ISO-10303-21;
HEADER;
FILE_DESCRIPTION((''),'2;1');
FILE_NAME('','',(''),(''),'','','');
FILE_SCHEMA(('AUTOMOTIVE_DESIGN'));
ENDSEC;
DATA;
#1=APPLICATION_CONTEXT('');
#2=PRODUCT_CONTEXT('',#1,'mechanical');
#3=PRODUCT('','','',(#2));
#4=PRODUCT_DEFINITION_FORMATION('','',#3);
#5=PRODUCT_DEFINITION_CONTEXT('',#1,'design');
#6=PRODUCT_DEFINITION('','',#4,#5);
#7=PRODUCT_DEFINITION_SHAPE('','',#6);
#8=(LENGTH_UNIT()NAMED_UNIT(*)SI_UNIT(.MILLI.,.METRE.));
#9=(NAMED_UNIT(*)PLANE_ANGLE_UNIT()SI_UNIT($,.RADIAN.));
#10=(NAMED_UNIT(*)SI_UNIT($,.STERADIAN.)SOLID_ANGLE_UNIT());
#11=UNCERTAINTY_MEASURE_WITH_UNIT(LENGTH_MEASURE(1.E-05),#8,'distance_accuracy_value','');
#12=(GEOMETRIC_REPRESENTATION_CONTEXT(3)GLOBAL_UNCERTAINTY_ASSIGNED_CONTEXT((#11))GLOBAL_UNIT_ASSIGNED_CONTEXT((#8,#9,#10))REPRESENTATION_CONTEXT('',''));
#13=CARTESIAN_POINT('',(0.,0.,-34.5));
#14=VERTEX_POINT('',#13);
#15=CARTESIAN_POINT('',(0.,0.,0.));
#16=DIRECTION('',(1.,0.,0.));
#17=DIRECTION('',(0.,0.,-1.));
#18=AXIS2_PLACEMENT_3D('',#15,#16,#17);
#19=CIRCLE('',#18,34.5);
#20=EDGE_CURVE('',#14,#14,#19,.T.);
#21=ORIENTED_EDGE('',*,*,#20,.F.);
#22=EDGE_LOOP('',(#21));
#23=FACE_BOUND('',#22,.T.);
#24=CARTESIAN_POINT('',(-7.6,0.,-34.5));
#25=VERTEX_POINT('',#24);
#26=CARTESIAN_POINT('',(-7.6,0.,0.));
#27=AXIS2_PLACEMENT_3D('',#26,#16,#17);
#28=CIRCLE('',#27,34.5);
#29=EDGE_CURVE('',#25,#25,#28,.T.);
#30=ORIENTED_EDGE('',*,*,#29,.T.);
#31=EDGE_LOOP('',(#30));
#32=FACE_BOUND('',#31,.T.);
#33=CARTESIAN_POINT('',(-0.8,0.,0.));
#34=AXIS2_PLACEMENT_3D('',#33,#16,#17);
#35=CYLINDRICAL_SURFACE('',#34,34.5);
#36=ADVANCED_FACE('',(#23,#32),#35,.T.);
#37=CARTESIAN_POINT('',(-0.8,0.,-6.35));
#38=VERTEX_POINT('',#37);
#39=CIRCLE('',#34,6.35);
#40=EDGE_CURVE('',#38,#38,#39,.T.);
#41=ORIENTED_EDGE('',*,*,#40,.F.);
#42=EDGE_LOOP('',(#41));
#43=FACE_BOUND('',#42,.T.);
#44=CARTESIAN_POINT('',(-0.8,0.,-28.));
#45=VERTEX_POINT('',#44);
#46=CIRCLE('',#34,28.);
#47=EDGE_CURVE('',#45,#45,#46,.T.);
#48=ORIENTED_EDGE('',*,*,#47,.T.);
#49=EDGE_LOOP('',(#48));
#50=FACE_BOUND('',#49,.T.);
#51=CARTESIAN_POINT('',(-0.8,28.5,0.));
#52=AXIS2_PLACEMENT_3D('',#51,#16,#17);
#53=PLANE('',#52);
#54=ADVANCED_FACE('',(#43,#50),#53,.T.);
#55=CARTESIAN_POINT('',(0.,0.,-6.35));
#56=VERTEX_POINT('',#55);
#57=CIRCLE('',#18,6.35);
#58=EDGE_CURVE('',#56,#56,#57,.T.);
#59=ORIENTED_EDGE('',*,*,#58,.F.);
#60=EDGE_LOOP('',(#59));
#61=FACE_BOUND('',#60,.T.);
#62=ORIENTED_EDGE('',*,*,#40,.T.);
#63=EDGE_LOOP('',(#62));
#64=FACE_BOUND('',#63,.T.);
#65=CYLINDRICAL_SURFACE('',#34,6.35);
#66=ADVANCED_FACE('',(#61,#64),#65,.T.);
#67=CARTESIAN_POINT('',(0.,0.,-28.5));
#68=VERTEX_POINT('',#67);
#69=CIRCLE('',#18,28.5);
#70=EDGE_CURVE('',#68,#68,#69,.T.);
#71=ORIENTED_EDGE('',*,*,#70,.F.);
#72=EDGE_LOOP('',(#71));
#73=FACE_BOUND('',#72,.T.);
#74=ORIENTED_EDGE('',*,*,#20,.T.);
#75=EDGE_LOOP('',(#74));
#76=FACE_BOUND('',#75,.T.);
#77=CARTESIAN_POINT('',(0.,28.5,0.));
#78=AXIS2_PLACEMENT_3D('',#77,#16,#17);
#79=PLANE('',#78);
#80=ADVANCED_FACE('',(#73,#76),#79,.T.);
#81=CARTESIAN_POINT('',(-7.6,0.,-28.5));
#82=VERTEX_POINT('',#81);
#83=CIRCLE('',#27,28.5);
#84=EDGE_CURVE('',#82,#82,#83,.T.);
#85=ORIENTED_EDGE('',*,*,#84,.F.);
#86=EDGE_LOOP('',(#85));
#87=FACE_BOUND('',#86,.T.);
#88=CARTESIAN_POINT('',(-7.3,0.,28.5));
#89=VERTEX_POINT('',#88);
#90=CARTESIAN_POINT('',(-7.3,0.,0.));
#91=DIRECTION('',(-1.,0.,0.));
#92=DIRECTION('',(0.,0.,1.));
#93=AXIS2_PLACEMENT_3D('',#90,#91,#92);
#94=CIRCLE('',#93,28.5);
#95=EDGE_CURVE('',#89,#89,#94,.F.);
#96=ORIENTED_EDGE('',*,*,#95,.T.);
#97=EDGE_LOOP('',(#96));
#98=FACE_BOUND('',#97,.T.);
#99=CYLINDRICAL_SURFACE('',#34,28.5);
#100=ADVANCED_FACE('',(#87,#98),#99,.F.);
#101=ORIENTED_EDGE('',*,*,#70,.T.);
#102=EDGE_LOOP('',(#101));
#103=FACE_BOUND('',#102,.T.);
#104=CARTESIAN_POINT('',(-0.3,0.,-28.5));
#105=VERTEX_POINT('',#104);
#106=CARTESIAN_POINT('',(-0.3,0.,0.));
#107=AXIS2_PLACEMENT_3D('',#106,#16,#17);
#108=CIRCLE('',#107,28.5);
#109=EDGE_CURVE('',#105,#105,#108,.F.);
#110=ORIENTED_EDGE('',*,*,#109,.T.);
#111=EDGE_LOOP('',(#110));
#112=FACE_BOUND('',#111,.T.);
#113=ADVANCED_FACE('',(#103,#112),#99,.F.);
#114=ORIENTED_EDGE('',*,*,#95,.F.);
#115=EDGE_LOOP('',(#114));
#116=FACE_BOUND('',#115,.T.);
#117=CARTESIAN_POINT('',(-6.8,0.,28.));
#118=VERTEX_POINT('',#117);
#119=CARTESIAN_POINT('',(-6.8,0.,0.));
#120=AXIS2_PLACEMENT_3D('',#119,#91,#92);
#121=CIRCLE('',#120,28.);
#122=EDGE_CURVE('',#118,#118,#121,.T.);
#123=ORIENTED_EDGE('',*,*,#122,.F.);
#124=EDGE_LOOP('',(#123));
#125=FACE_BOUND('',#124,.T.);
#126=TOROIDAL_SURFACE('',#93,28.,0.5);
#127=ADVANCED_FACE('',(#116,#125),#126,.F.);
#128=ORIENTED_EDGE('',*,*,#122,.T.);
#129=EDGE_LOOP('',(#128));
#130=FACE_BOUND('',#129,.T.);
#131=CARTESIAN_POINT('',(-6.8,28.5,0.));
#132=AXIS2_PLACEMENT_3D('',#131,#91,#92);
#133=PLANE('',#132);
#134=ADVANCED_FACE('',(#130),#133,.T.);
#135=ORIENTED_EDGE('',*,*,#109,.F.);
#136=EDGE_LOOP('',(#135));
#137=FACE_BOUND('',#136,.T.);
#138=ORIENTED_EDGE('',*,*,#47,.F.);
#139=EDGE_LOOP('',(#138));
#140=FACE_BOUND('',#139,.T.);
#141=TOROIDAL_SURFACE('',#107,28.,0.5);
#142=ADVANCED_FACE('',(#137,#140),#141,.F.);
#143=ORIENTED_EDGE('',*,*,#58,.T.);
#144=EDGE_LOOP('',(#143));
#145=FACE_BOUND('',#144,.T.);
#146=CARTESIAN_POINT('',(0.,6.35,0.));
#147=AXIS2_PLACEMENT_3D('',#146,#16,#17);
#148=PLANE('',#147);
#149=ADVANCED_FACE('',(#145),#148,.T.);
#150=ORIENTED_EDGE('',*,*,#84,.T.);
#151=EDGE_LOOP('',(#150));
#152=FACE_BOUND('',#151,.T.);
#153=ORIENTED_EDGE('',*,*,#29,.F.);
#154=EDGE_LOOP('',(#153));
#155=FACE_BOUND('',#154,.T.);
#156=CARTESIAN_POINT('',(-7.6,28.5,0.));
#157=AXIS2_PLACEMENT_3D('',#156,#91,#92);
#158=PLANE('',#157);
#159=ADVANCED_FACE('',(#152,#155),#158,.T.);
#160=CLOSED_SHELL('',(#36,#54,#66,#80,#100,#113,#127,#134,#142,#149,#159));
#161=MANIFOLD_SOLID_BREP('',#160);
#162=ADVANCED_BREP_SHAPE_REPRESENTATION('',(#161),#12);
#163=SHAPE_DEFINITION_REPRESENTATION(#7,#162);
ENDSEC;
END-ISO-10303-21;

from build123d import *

# Parameters (mm, degrees)
FILLET1_R = 0.5


with BuildPart() as part:
    # Sketch3 → Revolve1 (revolve)
    with BuildSketch(Plane.XY):
        Polygon((-7.6, 28.5), (-6.8, 28.5), (-6.8, 0), (-0.8, 0), (0, 0), (0, 6.35), (-0.8, 6.35), (-0.8, 28.5), (0, 28.5), (0, 34.5), (-7.6, 34.5), align=None)
    revolve(axis=Axis((-0.8, 0, 0), (-1, 0, 0)))

    # Fillet1
    fillet1_edges = [part.edges().sort_by_distance(p)[0] for p in [
        (-6.8, -28.5, 0),
        (-0.8, -28.5, 0),
    ]]
    fillet(fillet1_edges, radius=FILLET1_R)


solid = part.part
